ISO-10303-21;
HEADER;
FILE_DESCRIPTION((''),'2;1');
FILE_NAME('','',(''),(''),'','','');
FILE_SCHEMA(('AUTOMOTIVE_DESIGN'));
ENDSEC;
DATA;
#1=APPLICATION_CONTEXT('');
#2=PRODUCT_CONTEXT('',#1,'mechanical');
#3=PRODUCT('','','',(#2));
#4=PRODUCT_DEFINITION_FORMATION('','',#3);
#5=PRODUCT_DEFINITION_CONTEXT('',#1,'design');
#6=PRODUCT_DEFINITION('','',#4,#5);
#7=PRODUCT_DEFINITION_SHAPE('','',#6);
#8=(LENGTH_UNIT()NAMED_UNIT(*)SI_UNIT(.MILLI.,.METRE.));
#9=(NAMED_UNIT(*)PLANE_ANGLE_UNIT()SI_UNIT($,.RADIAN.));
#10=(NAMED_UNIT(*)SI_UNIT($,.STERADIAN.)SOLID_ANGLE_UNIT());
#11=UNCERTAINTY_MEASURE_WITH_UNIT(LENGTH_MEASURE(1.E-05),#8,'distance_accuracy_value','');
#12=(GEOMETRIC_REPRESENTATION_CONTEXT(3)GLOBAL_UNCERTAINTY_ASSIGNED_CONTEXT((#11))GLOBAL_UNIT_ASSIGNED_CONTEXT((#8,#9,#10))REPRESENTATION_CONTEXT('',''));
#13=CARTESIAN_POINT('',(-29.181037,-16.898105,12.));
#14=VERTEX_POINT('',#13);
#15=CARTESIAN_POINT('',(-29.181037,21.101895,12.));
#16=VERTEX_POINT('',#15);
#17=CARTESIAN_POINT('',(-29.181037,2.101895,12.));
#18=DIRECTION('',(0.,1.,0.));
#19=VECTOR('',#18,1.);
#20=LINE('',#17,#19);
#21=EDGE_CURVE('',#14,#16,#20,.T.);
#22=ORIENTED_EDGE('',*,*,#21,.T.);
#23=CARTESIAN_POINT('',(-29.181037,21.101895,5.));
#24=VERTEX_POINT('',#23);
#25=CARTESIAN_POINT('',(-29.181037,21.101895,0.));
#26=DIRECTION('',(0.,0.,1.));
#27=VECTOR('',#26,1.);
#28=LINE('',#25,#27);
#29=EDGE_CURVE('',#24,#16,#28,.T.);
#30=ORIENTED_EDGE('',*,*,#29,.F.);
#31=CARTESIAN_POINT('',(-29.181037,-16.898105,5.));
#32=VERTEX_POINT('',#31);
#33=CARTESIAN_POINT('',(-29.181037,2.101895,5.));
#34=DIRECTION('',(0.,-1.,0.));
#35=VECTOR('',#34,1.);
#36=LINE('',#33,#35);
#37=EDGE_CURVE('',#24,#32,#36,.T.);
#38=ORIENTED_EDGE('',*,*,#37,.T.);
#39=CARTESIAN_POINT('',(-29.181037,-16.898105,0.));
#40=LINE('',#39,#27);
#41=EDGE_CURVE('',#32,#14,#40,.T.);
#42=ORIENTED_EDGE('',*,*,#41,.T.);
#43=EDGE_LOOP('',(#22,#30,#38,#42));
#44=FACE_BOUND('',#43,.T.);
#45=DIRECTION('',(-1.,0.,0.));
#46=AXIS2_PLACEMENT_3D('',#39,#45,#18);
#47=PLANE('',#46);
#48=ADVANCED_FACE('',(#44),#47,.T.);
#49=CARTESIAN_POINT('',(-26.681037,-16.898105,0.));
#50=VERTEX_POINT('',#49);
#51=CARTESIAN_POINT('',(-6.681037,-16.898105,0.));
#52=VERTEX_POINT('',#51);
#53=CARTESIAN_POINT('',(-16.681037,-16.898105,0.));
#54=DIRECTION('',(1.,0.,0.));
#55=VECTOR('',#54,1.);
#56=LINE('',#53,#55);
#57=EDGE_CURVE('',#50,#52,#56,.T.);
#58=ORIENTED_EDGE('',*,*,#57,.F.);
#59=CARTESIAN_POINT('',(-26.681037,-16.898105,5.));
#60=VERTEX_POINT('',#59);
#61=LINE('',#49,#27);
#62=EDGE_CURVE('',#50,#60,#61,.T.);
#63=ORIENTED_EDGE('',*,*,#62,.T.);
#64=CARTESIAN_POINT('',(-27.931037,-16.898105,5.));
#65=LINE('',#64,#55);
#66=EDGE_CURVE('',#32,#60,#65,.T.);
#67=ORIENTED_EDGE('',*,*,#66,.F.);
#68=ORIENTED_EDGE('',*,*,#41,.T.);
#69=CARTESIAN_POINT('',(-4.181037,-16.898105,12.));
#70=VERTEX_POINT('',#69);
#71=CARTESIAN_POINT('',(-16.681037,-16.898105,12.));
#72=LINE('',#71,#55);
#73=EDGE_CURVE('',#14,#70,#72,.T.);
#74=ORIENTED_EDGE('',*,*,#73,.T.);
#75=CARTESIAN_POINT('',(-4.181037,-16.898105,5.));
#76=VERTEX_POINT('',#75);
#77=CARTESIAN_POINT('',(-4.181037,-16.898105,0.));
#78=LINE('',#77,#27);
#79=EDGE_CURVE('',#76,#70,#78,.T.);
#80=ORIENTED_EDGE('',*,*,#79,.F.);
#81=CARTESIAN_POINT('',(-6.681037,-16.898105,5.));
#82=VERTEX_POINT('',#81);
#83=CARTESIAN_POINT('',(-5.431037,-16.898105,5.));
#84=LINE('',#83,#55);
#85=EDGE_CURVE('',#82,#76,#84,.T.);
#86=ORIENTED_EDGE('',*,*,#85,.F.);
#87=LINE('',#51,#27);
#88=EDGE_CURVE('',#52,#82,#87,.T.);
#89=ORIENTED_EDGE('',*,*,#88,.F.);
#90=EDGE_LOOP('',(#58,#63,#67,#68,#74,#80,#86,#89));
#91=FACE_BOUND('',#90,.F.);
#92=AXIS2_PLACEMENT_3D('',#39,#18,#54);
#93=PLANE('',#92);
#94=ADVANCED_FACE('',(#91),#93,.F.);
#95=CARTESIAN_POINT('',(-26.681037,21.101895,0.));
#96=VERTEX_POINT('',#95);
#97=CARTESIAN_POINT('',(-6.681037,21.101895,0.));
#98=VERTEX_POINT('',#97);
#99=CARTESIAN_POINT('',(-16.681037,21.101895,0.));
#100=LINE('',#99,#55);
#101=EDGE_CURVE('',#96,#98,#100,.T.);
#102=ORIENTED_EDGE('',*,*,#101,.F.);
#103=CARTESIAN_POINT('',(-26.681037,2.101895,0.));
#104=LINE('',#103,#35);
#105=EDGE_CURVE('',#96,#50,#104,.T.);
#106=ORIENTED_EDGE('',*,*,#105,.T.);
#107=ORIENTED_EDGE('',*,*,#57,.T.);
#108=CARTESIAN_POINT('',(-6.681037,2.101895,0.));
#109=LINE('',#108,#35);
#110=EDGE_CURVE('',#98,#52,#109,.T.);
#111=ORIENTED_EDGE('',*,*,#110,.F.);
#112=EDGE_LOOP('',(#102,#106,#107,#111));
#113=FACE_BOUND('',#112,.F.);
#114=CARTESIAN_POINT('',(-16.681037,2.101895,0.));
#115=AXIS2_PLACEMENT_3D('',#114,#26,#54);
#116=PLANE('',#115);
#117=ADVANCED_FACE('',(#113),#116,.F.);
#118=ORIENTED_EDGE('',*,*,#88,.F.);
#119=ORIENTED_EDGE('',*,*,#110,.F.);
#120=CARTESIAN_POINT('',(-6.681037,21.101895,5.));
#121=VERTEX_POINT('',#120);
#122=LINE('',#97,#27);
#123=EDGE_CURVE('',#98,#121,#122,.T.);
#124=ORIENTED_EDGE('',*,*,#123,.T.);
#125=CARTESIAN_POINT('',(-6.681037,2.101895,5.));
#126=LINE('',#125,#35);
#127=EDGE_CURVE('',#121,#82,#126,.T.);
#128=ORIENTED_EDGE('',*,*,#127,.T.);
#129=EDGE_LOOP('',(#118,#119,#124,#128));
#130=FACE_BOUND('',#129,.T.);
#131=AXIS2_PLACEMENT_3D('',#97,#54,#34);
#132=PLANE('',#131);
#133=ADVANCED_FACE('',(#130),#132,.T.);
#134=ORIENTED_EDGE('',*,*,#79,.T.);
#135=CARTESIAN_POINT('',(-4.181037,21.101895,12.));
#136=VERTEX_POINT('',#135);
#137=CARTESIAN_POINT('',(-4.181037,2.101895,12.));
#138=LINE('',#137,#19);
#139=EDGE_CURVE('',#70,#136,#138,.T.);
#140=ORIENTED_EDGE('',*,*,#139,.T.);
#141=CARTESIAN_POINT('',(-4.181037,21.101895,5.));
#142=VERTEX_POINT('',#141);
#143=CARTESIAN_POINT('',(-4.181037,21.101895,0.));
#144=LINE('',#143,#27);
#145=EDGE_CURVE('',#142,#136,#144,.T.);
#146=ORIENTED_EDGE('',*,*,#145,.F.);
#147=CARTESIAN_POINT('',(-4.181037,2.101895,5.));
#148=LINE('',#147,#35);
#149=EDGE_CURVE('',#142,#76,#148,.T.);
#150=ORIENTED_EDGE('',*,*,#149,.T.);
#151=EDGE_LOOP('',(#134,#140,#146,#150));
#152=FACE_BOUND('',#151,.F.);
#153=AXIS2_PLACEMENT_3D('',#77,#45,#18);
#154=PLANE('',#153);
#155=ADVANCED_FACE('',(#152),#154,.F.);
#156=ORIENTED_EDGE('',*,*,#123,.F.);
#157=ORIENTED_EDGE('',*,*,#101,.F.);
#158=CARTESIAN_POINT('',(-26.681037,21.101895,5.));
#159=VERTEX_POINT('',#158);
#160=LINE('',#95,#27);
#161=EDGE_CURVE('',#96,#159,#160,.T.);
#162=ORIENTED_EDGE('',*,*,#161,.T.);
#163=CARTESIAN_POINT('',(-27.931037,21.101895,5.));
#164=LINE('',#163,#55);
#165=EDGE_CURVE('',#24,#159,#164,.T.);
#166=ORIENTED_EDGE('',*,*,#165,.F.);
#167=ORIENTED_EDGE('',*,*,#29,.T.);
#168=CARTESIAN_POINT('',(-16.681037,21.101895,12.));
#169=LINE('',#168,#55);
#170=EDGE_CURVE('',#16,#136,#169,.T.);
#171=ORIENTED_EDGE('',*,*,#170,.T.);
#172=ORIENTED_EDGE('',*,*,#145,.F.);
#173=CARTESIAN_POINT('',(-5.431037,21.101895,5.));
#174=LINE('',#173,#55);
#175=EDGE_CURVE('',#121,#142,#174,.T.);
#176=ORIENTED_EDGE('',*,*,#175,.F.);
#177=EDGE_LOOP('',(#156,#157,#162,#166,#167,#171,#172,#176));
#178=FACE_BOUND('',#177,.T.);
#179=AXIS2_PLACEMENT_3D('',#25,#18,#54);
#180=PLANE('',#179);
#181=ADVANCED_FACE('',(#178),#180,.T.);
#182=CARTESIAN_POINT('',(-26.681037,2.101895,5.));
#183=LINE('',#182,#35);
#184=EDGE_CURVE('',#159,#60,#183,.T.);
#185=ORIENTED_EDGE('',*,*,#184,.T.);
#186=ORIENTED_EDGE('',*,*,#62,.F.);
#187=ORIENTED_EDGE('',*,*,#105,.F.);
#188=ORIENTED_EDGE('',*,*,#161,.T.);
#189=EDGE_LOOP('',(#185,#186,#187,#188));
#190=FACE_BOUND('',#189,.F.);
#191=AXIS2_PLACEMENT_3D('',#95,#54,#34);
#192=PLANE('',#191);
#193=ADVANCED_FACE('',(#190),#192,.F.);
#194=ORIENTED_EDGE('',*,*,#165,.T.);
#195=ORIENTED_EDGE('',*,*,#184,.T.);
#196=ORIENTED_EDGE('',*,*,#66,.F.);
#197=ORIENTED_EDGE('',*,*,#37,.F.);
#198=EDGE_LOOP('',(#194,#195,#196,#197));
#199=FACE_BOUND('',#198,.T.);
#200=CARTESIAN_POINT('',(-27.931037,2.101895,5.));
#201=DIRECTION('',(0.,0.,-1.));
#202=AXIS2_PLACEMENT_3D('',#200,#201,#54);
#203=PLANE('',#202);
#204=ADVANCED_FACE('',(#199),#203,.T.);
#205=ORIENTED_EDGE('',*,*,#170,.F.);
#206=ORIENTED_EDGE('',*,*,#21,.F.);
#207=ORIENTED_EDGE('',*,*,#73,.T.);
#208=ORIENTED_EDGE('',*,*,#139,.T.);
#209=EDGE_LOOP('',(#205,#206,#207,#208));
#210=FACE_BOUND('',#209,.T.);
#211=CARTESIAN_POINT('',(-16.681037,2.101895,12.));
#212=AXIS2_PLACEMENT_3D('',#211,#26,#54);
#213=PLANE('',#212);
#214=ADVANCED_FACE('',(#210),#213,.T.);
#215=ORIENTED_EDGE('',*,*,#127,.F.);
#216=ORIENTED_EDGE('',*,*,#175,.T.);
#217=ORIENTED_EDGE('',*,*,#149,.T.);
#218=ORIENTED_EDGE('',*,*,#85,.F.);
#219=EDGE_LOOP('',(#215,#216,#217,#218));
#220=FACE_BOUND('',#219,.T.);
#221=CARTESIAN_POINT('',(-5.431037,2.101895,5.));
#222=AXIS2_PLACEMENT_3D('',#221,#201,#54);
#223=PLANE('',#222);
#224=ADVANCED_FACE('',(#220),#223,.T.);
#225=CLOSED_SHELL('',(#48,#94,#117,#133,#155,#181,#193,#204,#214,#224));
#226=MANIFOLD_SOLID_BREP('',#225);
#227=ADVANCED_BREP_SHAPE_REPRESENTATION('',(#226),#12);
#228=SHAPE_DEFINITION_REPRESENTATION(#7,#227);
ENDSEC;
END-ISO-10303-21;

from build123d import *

# Parameters (mm, degrees)
F0_W     = 25
F0_H     = 38
F1_DEPTH = 12
F2_W     = 2.5
F2_H     = 38
F3_DEPTH = 5


with BuildPart() as f1:
    # F0 (on Top) → F1 (new body)
    with BuildSketch(Plane.XY):
        with Locations((-16.681037, 2.101895)):
            Rectangle(F0_W, F0_H)
    extrude(amount=F1_DEPTH)

    # F2 (on face) → F3 (cut)
    with BuildSketch(Plane(origin=(0, 0, 0), x_dir=(1, 0, 0), z_dir=(0, 0, -1))):
        with Locations((-27.931037, -2.101895)):
            Rectangle(F2_W, F2_H)
        with Locations((-5.431037, -2.101895)):
            Rectangle(F2_W, F2_H)
    extrude(amount=-F3_DEPTH, mode=Mode.SUBTRACT)


solid = f1.part
